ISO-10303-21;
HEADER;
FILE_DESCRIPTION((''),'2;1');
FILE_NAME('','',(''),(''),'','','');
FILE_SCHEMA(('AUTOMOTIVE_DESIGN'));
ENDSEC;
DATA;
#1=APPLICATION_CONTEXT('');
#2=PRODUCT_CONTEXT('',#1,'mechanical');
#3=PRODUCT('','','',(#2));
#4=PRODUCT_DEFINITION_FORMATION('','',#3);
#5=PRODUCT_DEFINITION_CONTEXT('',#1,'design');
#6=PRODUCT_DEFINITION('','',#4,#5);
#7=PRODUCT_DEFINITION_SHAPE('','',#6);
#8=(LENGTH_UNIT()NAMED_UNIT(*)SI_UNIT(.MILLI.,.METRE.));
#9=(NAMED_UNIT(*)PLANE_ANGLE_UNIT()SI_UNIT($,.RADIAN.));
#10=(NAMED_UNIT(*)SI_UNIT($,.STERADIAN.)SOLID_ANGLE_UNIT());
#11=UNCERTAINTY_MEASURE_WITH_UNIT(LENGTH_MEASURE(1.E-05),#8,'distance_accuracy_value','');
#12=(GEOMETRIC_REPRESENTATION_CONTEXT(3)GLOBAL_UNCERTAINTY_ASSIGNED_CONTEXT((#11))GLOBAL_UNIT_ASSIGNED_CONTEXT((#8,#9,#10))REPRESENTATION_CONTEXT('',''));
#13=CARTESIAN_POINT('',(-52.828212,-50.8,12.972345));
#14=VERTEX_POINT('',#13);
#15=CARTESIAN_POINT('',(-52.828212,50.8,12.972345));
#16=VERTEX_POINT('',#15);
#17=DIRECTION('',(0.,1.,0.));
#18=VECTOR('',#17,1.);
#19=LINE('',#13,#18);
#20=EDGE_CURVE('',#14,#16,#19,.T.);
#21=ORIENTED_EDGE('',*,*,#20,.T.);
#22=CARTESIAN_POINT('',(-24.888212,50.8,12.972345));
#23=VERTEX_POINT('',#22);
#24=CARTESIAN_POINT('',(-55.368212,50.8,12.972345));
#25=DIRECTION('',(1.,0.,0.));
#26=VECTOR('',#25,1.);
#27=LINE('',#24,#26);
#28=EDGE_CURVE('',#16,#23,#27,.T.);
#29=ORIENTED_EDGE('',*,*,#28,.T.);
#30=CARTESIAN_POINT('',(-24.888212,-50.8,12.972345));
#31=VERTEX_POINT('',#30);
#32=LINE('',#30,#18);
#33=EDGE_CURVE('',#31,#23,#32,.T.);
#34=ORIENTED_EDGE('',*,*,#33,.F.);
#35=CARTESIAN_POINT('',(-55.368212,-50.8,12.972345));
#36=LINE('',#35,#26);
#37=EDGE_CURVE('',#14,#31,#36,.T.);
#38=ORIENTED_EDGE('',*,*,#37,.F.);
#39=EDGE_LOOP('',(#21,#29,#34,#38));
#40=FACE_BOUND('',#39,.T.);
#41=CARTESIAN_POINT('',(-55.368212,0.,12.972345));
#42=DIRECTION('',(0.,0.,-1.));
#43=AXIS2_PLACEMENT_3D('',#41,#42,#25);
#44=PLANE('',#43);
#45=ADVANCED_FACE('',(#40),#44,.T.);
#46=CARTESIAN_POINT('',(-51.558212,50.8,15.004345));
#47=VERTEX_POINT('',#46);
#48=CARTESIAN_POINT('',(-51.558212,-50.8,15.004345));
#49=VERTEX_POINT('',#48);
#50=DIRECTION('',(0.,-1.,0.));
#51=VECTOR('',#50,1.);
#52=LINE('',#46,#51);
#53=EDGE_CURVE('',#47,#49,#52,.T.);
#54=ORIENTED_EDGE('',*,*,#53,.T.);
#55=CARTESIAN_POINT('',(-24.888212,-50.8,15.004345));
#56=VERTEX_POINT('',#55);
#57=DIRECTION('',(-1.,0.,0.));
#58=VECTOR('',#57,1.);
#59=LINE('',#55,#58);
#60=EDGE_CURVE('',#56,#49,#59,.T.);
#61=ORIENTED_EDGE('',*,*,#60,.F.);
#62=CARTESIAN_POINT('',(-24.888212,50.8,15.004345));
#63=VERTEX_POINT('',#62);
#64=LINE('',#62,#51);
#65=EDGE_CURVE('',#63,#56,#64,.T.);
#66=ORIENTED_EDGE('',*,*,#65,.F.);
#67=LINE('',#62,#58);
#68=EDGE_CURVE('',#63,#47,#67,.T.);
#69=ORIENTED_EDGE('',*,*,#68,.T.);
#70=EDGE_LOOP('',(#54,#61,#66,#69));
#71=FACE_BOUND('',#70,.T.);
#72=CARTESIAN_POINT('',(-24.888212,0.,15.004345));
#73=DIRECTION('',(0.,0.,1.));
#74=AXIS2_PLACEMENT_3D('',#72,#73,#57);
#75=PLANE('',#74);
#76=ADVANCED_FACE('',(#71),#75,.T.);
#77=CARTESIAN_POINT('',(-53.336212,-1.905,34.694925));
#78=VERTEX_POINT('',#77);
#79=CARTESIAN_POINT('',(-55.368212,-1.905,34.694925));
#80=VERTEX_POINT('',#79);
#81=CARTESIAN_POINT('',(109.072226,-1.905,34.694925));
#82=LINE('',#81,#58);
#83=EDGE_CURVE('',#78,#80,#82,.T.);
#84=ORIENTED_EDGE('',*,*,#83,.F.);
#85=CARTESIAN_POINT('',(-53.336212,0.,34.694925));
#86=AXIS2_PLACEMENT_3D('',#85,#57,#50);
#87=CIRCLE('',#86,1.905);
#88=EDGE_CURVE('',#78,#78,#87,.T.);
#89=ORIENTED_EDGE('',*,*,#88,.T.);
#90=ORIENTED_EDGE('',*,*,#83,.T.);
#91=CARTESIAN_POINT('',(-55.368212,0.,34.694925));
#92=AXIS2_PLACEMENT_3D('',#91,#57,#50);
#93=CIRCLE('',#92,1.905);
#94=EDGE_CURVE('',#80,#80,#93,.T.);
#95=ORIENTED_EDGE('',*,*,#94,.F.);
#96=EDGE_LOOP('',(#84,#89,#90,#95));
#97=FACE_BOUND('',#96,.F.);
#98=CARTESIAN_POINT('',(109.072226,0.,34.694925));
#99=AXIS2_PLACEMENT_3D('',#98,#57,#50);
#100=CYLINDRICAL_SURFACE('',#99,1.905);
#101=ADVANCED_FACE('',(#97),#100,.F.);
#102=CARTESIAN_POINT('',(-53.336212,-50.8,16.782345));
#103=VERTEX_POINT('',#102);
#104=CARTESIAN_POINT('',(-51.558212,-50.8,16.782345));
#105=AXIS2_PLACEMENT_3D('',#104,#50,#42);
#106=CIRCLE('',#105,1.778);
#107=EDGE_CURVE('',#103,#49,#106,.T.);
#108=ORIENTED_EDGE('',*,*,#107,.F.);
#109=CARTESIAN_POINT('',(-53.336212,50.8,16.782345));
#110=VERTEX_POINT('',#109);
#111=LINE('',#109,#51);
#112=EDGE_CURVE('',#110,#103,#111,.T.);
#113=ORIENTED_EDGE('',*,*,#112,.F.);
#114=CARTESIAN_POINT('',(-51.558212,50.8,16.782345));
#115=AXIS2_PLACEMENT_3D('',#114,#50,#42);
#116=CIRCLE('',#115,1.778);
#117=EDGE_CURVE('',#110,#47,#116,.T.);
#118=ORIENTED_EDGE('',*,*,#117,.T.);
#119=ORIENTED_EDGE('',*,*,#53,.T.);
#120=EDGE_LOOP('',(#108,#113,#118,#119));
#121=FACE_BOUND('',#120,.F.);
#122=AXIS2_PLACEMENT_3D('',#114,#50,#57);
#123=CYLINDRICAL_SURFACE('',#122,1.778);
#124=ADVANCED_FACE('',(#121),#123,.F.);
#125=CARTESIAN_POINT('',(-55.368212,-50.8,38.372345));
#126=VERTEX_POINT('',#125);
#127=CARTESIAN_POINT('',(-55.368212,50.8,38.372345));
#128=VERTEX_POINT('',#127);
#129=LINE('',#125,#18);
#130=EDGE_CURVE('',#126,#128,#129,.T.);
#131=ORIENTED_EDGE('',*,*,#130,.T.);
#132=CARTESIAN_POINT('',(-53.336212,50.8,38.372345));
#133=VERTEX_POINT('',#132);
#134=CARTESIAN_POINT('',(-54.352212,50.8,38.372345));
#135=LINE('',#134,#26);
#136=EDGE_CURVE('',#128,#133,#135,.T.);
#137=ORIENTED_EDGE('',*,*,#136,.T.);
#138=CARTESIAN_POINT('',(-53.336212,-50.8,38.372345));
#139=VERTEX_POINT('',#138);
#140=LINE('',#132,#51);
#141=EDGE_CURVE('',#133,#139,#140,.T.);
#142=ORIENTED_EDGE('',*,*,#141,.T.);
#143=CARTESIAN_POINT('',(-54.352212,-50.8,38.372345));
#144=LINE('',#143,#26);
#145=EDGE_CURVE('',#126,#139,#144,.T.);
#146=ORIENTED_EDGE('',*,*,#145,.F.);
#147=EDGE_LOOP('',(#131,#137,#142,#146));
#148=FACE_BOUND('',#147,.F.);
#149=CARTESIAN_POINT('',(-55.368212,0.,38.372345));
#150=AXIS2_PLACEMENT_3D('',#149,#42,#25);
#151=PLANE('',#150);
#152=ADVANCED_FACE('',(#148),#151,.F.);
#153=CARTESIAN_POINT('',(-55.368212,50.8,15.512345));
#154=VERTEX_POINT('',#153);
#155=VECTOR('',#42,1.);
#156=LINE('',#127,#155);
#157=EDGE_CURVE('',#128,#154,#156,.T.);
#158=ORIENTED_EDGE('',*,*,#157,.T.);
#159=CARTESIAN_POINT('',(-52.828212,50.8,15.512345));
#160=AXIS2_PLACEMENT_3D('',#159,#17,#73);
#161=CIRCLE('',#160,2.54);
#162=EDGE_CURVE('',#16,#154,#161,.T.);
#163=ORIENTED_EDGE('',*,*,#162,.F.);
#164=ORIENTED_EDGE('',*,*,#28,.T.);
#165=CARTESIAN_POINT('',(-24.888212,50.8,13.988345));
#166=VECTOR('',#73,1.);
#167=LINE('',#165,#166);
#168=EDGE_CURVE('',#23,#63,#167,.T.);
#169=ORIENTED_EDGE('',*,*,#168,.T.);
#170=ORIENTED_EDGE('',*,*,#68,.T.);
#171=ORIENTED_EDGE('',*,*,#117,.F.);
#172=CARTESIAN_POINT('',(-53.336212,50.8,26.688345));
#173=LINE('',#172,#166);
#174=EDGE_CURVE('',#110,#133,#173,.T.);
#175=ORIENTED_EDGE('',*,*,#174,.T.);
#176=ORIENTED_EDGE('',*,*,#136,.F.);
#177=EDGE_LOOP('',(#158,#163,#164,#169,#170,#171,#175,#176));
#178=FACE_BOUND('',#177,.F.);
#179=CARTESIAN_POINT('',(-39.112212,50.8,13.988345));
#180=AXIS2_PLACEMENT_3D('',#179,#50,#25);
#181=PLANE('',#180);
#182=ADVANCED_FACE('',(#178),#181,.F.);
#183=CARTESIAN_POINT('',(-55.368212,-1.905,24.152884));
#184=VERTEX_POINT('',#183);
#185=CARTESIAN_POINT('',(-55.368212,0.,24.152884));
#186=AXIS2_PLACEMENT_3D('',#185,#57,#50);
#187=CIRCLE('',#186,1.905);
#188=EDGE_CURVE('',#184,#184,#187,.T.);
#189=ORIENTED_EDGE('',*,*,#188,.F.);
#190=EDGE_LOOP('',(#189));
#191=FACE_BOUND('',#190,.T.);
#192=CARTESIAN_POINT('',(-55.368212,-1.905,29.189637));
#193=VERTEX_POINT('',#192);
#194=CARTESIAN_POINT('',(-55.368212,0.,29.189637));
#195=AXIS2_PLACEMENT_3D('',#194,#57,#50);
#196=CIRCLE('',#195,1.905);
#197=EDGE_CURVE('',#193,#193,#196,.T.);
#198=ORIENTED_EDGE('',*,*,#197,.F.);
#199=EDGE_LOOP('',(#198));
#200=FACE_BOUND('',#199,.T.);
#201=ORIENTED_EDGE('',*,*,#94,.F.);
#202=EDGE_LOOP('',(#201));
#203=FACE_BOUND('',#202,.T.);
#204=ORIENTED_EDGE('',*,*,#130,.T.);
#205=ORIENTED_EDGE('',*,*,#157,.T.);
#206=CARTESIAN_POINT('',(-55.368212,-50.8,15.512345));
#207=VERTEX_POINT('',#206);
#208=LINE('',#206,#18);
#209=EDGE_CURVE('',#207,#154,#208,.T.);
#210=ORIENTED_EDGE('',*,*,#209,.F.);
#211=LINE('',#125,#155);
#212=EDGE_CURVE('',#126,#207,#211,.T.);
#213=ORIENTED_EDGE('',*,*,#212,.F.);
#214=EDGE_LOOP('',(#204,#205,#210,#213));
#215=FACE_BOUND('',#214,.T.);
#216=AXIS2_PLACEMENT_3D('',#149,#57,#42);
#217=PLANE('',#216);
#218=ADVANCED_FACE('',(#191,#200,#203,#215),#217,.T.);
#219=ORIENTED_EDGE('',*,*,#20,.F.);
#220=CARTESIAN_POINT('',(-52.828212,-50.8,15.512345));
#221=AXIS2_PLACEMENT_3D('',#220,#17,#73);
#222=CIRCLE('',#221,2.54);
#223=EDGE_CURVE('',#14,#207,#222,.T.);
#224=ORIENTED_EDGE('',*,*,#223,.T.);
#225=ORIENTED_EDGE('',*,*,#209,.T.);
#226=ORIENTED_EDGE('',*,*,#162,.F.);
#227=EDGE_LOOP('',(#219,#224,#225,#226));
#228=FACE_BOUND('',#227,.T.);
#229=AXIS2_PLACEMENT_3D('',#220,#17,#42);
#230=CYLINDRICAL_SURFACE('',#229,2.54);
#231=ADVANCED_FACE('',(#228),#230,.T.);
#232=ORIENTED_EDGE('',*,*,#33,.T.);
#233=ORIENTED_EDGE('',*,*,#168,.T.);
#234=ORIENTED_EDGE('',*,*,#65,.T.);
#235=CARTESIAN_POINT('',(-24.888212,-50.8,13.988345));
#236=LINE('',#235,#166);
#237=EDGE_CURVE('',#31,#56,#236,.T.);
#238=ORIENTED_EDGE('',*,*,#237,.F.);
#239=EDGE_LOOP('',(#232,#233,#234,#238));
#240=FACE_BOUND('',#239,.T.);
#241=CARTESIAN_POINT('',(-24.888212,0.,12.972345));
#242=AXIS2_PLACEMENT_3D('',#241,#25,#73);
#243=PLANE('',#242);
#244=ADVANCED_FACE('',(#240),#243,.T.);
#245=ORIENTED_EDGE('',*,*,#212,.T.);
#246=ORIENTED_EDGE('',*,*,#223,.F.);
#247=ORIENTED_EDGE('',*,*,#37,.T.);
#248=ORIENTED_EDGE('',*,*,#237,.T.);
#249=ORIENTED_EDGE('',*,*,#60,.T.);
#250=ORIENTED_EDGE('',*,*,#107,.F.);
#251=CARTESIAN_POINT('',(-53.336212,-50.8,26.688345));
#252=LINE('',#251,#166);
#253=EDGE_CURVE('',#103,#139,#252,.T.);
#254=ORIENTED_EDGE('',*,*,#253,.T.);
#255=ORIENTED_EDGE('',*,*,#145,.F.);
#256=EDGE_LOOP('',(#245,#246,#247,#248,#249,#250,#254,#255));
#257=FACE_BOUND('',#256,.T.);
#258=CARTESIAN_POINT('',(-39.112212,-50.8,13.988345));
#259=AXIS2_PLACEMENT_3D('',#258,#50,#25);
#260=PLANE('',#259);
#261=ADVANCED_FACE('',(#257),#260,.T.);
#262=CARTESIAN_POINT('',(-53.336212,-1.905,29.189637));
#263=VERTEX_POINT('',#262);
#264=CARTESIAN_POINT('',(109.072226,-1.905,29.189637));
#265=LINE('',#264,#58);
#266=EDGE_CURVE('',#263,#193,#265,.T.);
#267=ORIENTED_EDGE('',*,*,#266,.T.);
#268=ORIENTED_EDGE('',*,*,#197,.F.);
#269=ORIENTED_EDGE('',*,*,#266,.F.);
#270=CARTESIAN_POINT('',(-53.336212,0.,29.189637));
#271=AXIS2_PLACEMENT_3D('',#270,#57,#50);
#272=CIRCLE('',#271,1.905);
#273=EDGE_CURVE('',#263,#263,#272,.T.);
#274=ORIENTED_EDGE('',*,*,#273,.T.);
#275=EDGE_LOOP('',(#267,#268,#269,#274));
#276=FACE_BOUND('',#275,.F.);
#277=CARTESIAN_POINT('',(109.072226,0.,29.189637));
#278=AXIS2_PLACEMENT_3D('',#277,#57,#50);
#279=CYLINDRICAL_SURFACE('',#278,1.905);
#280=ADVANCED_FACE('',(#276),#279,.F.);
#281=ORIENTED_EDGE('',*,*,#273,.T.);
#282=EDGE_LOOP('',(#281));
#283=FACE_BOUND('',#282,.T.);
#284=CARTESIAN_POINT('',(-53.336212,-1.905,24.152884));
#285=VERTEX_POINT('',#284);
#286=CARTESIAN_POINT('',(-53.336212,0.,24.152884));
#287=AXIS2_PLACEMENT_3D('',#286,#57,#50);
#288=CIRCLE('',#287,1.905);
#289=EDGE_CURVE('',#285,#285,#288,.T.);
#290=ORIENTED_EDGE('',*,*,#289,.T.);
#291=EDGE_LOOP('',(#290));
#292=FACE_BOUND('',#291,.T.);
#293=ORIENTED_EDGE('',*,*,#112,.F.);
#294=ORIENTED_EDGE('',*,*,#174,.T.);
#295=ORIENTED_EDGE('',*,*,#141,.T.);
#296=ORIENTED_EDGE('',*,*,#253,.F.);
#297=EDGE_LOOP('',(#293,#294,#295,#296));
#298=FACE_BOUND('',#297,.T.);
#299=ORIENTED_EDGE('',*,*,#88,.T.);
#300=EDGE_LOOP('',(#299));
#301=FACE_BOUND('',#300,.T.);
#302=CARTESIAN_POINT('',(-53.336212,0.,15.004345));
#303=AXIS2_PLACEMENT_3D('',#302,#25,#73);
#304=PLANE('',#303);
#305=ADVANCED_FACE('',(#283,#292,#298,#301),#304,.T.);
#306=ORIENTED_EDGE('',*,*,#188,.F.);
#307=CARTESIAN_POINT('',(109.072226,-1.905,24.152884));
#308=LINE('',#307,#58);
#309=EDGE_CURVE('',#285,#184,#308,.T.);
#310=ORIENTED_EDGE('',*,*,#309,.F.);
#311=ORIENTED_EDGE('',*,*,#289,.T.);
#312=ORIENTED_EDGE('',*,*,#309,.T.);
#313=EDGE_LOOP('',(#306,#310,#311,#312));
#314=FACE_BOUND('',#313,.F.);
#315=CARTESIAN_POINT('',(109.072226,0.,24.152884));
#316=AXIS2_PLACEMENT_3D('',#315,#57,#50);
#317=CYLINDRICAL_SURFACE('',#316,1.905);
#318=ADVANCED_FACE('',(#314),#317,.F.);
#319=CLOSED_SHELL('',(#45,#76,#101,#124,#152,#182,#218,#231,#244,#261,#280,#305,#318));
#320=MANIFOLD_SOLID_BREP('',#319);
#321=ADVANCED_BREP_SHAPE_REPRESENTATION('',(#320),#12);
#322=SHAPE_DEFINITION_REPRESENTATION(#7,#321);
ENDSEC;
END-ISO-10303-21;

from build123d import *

# Parameters (mm, degrees)
F0_W     = 28.448
F0_H     = 2.032
F0_W_2   = 2.032
F0_H_2   = 23.368
F1_DEPTH = 50.8
F2_R     = 2.54
F3_R     = 1.778
F5_D     = 3.81


with BuildPart() as f1:
    # F0 (on Front) → F1 (new body, symmetric)
    with BuildSketch(Plane.XZ):
        with Locations((-39.1122124221, 13.9883446444)):
            Rectangle(F0_W, F0_H)
        with Locations((-54.3522124221, 13.9883446444)):
            Rectangle(F0_W_2, F0_H)
        with Locations((-54.3522124221, 26.6883446444)):
            Rectangle(F0_W_2, F0_H_2)
    extrude(amount=F1_DEPTH, both=True)

    # F2
    f2_edges = [f1.edges().sort_by_distance(p)[0] for p in [
        (-55.368212, 0, 12.972345),
    ]]
    fillet(f2_edges, radius=F2_R)

    # F3
    f3_edges = [f1.edges().sort_by_distance(p)[0] for p in [
        (-53.336212, 0, 15.004345),
    ]]
    fillet(f3_edges, radius=F3_R)

    # F5 (through all)
    with Locations(Plane.YZ):
        with Locations((0, 34.6949249506), (0, 29.1896369308), (0, 24.1528842598)):
            Hole(F5_D / 2)


solid = f1.part
